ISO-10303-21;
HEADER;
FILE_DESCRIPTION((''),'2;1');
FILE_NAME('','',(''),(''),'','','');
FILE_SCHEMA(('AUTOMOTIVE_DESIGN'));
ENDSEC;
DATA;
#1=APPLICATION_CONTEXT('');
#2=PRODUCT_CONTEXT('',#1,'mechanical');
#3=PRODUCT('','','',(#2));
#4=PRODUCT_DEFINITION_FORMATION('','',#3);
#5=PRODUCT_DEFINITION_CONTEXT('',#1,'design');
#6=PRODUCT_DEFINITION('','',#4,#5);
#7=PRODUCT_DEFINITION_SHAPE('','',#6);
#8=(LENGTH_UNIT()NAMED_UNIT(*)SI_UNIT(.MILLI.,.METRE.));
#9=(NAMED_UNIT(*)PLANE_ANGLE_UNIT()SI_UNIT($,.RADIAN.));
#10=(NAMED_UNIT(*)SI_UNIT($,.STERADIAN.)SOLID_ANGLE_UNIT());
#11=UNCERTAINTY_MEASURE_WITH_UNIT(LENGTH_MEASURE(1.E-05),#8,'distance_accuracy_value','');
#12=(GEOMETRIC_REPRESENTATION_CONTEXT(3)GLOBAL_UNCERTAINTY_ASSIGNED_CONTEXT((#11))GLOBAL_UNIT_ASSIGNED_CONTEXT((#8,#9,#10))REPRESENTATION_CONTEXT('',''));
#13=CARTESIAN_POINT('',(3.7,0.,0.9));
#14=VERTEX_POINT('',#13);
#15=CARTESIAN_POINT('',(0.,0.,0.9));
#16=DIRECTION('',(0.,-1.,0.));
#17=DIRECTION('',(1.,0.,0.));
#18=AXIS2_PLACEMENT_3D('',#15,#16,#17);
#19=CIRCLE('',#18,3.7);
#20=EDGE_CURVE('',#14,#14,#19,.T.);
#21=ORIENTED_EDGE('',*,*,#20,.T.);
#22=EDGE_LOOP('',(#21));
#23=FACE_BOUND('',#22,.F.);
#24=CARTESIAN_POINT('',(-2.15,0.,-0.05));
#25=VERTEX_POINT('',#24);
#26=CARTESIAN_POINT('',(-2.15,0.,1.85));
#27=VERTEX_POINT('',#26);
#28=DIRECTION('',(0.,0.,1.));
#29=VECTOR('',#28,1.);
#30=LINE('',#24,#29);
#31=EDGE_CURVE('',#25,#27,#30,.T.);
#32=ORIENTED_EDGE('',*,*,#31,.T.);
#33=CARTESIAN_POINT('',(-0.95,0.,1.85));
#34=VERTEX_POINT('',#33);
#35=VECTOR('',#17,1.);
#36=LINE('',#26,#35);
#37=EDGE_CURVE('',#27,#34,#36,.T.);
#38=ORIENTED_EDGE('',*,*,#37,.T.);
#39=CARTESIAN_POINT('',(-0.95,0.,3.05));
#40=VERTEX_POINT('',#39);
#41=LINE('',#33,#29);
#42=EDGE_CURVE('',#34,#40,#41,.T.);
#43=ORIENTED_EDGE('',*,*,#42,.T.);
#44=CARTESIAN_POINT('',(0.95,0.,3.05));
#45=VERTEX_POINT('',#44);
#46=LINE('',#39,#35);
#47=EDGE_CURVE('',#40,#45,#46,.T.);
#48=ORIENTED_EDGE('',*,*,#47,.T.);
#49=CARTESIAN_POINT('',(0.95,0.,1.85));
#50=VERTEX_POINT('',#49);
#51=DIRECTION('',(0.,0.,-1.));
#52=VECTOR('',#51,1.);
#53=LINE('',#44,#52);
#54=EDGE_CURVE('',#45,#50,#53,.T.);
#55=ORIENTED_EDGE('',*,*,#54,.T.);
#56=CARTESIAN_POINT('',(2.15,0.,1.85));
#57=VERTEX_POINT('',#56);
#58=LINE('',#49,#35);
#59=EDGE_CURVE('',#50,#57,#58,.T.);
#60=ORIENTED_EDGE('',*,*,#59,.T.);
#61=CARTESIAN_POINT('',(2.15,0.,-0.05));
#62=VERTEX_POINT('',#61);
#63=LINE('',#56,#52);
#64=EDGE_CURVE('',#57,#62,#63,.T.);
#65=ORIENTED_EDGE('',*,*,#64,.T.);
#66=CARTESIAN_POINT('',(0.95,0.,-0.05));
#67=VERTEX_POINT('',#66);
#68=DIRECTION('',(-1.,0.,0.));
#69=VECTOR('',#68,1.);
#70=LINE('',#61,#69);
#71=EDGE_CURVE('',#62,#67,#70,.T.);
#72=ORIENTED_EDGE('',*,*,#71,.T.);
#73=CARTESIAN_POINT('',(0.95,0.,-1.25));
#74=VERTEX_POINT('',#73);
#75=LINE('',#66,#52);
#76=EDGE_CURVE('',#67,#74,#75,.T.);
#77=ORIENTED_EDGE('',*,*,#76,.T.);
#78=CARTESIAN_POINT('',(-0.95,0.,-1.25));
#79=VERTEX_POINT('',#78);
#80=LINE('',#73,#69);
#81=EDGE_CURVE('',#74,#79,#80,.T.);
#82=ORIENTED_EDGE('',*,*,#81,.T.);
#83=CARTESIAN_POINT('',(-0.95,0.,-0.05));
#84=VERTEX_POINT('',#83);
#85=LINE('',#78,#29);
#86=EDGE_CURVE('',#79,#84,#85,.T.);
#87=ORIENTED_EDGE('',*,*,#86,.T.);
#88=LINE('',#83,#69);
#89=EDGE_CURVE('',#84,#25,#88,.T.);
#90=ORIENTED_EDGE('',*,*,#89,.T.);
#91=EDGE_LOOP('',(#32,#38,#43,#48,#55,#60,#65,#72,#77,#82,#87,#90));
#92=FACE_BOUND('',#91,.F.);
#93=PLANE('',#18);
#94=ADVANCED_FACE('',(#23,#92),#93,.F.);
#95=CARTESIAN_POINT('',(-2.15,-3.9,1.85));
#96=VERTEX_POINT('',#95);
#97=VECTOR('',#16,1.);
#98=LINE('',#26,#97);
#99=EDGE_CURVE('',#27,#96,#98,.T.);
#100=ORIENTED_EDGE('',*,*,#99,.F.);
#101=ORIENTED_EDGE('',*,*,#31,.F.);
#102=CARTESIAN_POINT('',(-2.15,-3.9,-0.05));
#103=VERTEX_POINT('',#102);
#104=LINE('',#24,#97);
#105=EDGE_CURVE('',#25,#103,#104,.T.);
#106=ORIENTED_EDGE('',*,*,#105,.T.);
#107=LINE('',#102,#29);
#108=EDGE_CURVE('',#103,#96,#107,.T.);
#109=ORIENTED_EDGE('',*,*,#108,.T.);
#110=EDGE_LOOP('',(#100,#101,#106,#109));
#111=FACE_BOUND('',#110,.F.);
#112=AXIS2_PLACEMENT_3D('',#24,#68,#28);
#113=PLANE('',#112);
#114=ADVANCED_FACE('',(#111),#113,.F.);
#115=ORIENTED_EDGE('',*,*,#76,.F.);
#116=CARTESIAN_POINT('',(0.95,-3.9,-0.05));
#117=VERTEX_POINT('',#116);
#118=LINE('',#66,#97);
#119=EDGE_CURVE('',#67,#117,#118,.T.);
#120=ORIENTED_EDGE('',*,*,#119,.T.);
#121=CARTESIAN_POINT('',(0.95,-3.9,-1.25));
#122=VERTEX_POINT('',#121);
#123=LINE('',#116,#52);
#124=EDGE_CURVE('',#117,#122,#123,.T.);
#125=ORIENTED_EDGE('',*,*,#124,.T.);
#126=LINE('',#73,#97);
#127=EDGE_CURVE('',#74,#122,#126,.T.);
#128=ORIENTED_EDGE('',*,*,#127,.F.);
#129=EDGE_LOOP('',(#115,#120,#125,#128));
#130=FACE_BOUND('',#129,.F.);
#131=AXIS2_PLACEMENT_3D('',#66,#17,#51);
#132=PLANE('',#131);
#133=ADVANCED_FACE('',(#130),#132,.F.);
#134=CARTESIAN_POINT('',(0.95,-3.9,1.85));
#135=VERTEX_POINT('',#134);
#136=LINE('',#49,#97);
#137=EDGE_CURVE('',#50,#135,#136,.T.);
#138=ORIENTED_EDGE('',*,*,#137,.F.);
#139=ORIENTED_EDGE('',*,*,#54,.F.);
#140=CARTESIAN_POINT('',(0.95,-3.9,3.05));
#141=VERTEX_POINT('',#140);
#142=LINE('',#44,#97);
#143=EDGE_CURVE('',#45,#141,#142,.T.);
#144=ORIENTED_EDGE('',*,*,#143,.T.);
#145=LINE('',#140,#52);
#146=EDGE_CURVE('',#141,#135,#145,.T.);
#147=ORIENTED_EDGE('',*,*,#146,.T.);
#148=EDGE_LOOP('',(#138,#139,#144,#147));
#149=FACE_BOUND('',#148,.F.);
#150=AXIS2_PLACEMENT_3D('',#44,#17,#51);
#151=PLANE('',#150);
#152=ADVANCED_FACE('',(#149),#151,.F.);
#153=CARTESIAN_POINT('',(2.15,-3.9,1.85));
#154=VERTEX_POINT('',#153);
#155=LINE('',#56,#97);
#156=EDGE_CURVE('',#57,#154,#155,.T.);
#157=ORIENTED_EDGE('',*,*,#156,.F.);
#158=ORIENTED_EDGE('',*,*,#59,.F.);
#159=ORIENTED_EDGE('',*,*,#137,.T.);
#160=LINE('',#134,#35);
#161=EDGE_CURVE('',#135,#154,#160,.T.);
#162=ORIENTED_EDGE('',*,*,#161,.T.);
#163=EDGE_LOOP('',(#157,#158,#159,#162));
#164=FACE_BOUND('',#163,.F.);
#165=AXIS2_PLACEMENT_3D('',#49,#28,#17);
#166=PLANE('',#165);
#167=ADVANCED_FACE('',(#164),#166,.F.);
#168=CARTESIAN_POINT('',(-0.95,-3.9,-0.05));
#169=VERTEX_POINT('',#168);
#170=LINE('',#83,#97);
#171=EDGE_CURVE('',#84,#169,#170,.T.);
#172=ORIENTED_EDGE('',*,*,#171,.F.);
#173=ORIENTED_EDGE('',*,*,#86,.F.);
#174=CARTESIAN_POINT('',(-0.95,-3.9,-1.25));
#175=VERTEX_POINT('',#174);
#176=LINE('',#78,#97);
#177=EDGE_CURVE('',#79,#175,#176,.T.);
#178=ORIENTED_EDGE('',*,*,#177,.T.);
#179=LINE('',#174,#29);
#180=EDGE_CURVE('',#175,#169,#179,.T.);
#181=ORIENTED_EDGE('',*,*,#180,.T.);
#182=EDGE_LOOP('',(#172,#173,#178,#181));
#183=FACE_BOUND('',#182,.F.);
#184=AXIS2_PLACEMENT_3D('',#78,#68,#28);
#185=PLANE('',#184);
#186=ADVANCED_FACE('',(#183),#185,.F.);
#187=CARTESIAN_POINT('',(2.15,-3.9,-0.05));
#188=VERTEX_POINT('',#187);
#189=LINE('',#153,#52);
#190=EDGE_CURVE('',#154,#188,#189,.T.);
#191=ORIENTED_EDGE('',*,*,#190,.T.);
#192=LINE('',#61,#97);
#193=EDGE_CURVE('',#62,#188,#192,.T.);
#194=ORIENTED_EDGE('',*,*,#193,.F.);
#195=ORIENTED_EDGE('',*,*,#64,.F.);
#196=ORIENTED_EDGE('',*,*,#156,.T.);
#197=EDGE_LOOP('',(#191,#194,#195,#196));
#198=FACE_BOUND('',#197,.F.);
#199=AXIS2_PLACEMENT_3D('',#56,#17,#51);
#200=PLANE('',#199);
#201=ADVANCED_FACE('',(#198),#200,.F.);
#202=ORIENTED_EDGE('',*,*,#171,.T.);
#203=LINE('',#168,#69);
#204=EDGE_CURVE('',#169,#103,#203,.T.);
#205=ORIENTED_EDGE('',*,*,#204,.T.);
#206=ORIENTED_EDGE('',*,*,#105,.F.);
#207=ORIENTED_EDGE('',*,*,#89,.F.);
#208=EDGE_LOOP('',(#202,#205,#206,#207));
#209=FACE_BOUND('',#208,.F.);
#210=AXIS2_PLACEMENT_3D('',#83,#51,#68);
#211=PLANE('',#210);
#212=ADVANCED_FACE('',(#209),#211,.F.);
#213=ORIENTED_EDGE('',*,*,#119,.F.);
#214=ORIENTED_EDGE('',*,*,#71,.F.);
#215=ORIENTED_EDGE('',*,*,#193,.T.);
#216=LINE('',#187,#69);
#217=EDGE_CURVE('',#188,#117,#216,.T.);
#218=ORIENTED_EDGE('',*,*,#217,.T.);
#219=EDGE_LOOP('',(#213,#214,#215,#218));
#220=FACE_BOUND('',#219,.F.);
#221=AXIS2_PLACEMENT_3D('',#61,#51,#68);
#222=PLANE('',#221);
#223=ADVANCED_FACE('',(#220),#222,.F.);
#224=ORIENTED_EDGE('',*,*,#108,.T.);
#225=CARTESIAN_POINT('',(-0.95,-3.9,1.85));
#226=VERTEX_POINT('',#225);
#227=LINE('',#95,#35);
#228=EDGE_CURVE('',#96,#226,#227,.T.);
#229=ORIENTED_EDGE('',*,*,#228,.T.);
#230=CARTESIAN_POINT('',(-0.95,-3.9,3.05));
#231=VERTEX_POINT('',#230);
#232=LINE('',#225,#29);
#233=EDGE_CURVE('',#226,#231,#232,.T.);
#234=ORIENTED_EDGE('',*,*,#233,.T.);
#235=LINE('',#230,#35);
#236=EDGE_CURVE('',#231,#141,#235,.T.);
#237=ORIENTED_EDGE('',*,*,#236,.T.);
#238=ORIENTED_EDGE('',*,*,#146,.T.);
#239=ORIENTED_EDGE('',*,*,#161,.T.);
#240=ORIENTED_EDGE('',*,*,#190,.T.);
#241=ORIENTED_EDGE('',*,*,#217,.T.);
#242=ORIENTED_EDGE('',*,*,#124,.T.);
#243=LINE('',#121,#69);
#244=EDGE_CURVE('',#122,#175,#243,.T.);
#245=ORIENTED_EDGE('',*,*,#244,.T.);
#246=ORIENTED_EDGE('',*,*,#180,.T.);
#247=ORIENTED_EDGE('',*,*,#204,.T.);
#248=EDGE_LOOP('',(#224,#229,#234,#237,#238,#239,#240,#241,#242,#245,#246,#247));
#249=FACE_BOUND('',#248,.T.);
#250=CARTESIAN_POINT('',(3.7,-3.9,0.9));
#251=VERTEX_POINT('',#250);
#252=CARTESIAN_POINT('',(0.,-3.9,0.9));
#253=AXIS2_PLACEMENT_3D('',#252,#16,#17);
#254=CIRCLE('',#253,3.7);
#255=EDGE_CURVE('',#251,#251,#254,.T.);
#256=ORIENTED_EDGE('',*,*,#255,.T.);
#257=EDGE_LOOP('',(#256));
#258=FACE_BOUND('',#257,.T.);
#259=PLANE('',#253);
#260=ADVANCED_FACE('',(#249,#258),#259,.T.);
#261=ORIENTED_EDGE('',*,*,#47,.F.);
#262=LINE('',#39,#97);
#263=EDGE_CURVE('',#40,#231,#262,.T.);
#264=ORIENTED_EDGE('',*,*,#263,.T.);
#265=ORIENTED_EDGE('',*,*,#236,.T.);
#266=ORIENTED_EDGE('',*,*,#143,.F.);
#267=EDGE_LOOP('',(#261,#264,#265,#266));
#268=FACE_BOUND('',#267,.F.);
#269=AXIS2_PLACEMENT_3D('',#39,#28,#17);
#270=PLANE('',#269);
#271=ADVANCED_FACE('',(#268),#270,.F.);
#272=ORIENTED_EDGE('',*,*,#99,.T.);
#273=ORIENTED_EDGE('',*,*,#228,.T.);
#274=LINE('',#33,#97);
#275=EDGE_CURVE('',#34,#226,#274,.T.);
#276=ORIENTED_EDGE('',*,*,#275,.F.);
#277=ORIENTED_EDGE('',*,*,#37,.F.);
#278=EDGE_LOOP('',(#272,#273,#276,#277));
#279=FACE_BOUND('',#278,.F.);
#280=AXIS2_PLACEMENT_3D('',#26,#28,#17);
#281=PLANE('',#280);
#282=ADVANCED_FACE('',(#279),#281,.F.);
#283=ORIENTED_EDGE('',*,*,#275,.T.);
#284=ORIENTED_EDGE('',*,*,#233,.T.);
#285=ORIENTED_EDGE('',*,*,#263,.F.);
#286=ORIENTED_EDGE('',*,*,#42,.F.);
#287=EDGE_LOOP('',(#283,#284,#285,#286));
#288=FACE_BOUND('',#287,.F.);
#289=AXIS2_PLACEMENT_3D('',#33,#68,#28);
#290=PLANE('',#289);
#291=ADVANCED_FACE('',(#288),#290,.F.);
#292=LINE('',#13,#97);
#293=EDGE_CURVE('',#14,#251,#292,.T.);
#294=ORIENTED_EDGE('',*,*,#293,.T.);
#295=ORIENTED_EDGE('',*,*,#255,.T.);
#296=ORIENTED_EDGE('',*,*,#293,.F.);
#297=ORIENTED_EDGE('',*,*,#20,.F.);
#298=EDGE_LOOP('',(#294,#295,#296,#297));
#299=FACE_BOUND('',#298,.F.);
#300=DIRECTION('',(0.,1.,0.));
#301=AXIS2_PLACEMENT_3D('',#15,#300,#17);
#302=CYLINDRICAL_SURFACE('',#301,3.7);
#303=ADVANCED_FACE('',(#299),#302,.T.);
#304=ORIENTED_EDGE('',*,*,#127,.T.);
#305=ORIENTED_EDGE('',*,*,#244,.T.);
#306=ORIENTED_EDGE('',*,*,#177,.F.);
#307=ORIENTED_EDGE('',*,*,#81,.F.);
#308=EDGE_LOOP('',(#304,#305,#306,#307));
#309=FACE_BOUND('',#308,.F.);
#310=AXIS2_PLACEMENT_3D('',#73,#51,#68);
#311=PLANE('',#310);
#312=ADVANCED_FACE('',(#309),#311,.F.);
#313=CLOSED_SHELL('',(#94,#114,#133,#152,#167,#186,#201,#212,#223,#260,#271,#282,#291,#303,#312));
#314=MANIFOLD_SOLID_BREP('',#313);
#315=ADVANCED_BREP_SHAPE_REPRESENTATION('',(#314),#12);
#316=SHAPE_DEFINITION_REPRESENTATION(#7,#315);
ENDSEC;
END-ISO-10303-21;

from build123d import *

# Parameters (mm, degrees)
F0_R     = 3.7
F1_DEPTH = 3.9


with BuildPart() as f1:
    # F0 (on Front) → F1 (new body)
    with BuildSketch(Plane.XZ):
        with Locations((0, 0.9)):
            Circle(F0_R)
        Polygon((-0.95, 3.05), (0, 3.05), (0.95, 3.05), (0.95, 1.85), (2.15, 1.85), (2.15, -0.05), (0.95, -0.05), (0.95, -1.25), (-0.95, -1.25), (-0.95, -0.05), (-2.15, -0.05), (-2.15, 1.85), (-0.95, 1.85), align=None, mode=Mode.SUBTRACT)
    extrude(amount=F1_DEPTH)


solid = f1.part
